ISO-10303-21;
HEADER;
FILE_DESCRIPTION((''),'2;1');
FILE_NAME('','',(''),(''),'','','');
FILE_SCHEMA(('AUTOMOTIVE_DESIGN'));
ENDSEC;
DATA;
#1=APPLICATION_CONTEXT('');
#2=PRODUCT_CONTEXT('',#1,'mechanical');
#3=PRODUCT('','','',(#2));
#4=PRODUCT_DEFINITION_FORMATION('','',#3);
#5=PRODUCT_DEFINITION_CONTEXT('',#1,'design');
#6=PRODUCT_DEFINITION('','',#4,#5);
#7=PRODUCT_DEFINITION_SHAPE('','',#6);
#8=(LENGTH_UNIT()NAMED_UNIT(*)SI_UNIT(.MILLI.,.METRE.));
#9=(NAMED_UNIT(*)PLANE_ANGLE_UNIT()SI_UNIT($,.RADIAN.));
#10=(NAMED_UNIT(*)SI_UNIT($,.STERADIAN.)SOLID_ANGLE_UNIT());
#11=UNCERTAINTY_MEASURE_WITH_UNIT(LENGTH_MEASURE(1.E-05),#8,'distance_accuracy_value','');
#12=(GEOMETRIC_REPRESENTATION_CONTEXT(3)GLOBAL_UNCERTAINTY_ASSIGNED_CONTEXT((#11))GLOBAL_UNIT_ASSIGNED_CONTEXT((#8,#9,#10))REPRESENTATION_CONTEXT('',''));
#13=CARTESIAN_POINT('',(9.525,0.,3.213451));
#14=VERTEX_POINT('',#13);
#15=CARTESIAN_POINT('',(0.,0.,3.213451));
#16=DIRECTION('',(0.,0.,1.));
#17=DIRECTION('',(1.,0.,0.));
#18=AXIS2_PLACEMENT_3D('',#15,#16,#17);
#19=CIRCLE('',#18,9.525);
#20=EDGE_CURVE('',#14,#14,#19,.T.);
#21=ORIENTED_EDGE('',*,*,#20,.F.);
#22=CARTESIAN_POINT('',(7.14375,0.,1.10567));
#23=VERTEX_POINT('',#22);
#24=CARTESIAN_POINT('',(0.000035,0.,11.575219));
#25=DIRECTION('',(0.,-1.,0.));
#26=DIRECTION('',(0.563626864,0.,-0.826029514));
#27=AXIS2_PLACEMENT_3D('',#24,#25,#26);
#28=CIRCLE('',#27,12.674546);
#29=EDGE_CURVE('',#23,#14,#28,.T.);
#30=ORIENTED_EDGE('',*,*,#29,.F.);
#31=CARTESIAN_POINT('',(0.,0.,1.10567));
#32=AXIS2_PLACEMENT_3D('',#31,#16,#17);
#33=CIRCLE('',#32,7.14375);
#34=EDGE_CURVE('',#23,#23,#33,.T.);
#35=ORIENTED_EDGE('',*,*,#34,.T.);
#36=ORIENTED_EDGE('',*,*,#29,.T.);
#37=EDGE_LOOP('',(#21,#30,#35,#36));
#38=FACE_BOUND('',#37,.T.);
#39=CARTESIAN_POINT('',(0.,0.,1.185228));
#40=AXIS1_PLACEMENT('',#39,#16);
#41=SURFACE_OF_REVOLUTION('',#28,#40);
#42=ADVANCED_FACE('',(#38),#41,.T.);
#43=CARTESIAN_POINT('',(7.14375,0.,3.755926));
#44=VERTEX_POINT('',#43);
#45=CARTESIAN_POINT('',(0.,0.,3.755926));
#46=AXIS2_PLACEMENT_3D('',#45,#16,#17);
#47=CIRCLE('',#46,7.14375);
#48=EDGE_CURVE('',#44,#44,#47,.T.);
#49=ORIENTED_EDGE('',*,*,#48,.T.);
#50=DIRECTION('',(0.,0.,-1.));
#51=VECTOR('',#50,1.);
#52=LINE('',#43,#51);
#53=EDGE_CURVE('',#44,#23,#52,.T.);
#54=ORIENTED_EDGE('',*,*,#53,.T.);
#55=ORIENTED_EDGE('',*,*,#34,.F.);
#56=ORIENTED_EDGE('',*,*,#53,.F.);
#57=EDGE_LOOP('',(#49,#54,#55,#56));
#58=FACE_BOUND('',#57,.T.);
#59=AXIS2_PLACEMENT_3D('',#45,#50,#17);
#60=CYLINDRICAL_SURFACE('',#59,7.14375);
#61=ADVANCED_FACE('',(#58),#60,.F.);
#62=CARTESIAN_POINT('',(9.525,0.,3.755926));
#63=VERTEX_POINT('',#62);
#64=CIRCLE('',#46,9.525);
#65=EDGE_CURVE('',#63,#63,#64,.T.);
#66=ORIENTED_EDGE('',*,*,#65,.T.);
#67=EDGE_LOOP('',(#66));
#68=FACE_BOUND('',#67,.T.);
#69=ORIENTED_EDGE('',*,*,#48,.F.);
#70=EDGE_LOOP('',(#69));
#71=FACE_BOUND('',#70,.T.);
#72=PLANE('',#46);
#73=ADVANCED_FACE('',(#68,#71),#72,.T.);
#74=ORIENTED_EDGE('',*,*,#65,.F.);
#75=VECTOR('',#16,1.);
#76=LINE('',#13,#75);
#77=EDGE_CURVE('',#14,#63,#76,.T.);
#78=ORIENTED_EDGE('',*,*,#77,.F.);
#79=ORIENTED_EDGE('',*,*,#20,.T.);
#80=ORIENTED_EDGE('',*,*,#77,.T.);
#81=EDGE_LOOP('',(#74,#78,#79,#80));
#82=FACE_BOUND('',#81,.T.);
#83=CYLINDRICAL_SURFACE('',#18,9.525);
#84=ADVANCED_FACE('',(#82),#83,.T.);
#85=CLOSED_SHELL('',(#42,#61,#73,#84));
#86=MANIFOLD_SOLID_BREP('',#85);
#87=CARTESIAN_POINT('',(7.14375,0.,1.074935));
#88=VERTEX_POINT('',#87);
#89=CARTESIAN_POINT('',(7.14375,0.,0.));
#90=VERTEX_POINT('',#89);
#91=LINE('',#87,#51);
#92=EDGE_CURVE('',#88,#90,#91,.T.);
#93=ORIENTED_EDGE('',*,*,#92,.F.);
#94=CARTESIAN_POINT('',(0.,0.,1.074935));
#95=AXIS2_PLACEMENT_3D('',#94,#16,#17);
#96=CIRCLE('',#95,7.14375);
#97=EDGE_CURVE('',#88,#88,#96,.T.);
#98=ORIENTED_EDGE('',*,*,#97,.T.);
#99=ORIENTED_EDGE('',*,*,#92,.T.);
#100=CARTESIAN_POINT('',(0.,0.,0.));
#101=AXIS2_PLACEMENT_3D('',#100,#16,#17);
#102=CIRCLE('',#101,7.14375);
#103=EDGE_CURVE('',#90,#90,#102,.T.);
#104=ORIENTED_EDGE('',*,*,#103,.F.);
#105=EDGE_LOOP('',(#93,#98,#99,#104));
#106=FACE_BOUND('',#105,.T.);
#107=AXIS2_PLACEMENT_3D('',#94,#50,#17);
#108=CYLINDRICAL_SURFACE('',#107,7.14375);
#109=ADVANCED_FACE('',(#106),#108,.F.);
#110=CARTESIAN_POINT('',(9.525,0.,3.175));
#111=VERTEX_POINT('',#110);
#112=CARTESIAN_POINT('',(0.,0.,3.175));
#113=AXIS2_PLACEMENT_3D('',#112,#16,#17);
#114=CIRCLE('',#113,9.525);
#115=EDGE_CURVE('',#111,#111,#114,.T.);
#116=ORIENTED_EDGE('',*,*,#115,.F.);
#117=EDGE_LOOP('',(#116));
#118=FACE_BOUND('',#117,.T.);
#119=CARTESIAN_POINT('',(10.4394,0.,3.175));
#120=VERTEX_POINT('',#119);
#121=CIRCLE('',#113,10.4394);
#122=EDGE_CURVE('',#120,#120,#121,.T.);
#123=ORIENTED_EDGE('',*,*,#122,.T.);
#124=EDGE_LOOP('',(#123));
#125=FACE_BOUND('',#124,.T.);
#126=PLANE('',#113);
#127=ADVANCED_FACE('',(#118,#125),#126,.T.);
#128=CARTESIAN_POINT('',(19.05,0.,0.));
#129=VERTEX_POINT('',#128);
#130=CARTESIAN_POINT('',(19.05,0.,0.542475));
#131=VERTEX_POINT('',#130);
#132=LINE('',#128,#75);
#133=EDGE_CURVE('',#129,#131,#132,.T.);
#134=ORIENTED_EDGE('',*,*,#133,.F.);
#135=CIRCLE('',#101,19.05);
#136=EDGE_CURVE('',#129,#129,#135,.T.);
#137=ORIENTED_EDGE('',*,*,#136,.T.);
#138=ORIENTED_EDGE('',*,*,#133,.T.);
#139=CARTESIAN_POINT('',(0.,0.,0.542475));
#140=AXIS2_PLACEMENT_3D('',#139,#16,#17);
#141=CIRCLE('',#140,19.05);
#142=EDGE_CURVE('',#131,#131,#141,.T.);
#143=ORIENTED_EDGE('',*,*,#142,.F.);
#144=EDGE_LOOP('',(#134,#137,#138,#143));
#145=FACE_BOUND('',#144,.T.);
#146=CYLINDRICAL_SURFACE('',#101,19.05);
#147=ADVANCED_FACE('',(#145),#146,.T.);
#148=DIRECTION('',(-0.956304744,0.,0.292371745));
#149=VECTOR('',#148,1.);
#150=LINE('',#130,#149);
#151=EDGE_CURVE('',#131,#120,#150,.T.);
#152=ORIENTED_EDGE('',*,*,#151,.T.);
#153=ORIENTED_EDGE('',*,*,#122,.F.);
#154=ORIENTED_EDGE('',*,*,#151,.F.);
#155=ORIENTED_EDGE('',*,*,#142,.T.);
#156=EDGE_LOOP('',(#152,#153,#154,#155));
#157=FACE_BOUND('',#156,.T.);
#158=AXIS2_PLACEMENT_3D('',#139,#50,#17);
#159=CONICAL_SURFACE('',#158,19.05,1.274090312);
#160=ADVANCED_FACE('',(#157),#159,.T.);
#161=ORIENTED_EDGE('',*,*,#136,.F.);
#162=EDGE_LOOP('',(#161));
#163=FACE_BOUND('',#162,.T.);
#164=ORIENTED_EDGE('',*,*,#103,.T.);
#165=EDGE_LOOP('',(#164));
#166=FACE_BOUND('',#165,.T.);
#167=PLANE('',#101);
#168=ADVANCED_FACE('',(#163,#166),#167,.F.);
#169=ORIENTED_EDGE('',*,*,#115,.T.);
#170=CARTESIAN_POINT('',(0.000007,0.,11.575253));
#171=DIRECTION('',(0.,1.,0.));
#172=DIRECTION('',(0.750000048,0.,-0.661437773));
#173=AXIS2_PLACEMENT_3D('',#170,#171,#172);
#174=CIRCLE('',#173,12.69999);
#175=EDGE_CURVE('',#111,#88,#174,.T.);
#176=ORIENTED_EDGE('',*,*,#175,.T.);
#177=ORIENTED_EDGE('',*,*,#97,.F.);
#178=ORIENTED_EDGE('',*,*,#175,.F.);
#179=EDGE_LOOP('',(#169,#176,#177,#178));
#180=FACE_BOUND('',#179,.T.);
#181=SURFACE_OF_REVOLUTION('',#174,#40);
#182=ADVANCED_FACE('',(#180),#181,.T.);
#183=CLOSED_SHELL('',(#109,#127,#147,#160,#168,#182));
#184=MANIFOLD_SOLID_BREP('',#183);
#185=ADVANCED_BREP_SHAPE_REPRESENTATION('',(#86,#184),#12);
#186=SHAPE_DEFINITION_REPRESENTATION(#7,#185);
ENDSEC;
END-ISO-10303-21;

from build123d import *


with BuildPart() as f1:
    # F0 (on Front) → F1 (revolve)
    with BuildSketch(Plane.XZ):
        with BuildLine():
            Line((7.14375, 0), (19.05, 0))
            Line((19.05, 0), (19.05, 0.542475))
            Line((19.05, 0.542475), (10.4394, 3.175))
            Line((10.4394, 3.175), (9.525, 3.175))
            ThreePointArc((9.525, 3.175), (8.40026, 2.05026), (7.14375, 1.074935))
            Line((7.14375, 1.074935), (7.14375, 0))
        make_face()
    revolve(axis=Axis((0, 0, 1.185228), (0, 0, 1)))


with BuildPart() as f3:
    # F2 (on Front) → F3 (revolve)
    with BuildSketch(Plane.XZ):
        with BuildLine():
            Line((7.14375, 3.755926), (7.14375, 1.10567))
            ThreePointArc((7.14375, 1.10567), (8.400744, 2.084581), (9.525, 3.213451))
            Line((9.525, 3.213451), (9.525, 3.755926))
            Line((9.525, 3.755926), (7.14375, 3.755926))
        make_face()
    revolve(axis=Axis((0, 0, 1.185228), (0, 0, 1)))


solid = Compound([f1.part, f3.part])
